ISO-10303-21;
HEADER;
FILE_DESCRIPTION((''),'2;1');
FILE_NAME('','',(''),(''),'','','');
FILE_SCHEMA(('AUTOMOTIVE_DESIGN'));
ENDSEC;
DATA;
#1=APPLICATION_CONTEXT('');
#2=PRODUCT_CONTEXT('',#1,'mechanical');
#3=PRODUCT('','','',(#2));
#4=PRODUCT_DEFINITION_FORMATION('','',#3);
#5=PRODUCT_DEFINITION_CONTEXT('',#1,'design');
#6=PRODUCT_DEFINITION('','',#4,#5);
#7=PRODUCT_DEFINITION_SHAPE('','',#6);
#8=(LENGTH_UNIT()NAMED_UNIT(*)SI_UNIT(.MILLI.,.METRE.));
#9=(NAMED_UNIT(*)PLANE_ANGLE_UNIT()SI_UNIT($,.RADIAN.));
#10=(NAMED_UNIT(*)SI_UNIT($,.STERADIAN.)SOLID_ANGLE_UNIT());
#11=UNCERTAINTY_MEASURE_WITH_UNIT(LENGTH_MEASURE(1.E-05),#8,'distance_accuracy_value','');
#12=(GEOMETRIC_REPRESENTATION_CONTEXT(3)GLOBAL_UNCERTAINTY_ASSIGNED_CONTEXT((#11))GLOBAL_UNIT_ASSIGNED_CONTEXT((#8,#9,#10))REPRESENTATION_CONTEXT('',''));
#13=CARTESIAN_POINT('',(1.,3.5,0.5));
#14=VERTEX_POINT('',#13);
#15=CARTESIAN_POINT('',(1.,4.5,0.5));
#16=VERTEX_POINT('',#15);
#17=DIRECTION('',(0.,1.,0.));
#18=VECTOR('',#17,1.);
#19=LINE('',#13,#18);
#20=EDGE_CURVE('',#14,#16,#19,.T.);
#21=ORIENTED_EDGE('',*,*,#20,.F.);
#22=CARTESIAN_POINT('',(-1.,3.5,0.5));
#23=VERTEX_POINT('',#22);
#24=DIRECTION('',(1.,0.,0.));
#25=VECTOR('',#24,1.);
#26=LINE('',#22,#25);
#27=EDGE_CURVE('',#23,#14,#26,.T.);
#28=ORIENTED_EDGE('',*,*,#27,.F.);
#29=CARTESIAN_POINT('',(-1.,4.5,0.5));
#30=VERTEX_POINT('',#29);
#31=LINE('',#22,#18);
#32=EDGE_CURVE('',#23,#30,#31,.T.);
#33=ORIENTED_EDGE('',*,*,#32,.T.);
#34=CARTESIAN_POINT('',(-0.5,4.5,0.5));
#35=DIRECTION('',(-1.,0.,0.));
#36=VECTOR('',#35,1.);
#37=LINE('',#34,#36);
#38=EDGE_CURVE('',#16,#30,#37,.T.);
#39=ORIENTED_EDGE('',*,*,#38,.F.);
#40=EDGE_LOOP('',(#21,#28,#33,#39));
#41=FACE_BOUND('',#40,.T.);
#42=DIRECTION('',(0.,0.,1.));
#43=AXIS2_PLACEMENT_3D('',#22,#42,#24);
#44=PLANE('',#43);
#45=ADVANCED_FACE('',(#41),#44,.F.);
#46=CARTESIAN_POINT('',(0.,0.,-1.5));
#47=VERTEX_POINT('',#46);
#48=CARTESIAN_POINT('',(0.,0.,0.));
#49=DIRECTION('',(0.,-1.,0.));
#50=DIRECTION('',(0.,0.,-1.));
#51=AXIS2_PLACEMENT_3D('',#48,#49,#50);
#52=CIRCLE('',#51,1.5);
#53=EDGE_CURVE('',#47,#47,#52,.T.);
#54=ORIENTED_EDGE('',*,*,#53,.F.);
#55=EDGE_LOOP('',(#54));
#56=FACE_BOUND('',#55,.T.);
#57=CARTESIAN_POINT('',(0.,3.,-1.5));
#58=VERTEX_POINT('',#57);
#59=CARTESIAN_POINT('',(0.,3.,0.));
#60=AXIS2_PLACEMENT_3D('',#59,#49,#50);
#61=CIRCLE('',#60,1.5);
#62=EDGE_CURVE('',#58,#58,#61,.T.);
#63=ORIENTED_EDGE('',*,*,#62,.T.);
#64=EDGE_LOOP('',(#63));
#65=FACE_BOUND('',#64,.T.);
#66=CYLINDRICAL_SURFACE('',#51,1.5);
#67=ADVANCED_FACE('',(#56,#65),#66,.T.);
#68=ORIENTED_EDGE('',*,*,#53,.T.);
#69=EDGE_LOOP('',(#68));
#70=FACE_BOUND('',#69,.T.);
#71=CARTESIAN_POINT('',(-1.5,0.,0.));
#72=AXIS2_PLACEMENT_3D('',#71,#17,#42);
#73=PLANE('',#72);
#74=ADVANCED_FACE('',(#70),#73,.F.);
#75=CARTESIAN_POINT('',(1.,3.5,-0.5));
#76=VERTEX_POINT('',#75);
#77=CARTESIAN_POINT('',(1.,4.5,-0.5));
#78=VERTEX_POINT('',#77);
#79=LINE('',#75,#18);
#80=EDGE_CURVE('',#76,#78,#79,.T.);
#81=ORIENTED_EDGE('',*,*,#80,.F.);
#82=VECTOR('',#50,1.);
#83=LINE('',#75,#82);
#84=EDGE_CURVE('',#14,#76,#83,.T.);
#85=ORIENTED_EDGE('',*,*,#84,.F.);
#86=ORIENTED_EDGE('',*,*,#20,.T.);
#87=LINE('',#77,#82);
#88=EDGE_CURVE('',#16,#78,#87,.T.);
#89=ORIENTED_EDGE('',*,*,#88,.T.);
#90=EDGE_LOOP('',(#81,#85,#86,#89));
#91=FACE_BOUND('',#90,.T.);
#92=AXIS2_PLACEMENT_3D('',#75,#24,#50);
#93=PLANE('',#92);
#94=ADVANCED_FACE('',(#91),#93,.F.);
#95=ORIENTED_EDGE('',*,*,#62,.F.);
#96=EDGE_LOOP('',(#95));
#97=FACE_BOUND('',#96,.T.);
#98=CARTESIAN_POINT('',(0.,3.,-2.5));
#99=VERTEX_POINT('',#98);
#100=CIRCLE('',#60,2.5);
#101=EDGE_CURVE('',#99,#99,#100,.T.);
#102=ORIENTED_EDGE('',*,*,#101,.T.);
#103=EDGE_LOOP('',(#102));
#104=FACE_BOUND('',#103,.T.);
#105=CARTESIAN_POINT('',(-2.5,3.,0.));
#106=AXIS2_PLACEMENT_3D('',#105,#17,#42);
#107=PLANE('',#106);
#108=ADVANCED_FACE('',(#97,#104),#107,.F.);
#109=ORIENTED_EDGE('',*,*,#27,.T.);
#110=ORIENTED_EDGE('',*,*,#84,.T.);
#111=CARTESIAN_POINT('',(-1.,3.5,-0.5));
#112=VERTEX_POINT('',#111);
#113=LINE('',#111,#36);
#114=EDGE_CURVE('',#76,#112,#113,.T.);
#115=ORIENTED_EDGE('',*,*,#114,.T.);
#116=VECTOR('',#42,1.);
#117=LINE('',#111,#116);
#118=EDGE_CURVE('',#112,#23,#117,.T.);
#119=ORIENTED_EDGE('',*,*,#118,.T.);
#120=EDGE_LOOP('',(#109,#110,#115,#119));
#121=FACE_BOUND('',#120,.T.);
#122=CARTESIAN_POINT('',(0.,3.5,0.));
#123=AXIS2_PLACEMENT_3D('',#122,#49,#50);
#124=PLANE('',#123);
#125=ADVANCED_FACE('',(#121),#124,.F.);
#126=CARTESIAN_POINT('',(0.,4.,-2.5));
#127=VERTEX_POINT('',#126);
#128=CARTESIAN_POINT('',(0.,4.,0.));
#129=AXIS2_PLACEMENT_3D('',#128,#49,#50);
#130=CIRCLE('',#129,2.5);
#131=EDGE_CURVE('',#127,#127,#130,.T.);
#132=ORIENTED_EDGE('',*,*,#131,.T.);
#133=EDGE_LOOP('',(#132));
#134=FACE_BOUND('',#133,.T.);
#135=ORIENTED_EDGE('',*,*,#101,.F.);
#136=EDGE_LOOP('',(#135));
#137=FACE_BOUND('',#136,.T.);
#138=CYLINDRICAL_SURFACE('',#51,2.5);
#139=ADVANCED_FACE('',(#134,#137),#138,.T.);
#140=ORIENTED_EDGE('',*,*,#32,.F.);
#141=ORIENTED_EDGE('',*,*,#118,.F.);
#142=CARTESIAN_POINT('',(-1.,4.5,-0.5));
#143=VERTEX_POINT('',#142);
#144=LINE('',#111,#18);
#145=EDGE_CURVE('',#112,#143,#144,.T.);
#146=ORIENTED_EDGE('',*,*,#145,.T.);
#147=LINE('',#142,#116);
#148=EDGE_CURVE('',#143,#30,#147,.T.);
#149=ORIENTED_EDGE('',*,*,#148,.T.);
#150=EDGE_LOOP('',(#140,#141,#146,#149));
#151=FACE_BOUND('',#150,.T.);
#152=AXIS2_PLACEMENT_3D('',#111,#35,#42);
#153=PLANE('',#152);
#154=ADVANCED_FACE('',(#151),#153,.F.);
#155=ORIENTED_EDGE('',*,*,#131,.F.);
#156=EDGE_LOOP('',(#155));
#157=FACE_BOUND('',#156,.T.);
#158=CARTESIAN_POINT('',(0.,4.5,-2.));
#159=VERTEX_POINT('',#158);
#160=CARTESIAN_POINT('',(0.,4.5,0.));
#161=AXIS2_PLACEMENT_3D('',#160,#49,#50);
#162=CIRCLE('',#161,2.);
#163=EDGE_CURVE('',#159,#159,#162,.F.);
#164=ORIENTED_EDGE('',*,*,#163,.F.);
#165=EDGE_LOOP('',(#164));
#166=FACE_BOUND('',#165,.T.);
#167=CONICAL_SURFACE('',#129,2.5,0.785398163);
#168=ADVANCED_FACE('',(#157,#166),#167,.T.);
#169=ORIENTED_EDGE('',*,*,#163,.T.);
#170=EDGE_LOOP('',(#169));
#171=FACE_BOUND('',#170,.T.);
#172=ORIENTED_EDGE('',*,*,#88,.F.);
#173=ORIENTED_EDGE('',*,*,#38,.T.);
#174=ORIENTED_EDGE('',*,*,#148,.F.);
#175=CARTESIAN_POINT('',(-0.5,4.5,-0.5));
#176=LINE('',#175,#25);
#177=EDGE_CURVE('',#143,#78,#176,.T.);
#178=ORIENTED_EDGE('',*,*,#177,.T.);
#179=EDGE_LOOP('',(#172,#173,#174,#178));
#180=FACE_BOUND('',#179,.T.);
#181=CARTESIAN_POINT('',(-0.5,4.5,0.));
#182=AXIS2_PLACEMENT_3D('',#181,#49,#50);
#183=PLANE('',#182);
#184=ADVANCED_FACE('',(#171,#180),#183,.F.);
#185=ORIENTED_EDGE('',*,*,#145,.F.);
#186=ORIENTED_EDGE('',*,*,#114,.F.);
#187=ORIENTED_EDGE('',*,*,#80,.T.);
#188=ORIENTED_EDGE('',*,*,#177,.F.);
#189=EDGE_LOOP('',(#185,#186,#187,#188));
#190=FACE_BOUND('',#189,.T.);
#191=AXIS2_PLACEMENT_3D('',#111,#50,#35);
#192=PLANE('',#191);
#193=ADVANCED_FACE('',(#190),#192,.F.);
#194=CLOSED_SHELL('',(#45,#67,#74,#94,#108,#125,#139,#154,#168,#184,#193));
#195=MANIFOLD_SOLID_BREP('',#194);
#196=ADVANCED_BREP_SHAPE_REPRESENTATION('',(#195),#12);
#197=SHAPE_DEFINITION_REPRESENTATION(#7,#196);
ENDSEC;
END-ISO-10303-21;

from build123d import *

# Parameters (mm, degrees)
CHAMFER1_SIZE      = 0.5
SKETCH2_W          = 2
SKETCH2_H          = 1
CUT_EXTRUDE1_DEPTH = 1


with BuildPart() as part:
    # Sketch1 → Revolve1 (revolve)
    with BuildSketch(Plane.XY, mode=Mode.PRIVATE) as revolve1_sk:
        Polygon((0, 3.5), (-0.5, 3.5), (-0.5, 4.5), (-2.5, 4.5), (-2.5, 3), (-1.5, 3), (-1.5, 0), (0, 0), align=None)
    revolve(revolve1_sk.sketch.rotate(Axis((0, 0, 0), (0, 1, 0)), 270), axis=Axis((0, 0, 0), (0, 1, 0)))

    # Chamfer1
    chamfer1_edges = [part.edges().sort_by_distance(p)[0] for p in [
        (0, 4.5, 2.5),
    ]]
    chamfer(chamfer1_edges, length=CHAMFER1_SIZE)

    # Sketch2 → Cut-Extrude1 (cut)
    with BuildSketch(Plane(origin=(0, 4.5, 0), x_dir=(1, 0, 0), z_dir=(0, 1, 0))):
        Rectangle(SKETCH2_W, SKETCH2_H)
    extrude(amount=-CUT_EXTRUDE1_DEPTH, mode=Mode.SUBTRACT)


solid = part.part
